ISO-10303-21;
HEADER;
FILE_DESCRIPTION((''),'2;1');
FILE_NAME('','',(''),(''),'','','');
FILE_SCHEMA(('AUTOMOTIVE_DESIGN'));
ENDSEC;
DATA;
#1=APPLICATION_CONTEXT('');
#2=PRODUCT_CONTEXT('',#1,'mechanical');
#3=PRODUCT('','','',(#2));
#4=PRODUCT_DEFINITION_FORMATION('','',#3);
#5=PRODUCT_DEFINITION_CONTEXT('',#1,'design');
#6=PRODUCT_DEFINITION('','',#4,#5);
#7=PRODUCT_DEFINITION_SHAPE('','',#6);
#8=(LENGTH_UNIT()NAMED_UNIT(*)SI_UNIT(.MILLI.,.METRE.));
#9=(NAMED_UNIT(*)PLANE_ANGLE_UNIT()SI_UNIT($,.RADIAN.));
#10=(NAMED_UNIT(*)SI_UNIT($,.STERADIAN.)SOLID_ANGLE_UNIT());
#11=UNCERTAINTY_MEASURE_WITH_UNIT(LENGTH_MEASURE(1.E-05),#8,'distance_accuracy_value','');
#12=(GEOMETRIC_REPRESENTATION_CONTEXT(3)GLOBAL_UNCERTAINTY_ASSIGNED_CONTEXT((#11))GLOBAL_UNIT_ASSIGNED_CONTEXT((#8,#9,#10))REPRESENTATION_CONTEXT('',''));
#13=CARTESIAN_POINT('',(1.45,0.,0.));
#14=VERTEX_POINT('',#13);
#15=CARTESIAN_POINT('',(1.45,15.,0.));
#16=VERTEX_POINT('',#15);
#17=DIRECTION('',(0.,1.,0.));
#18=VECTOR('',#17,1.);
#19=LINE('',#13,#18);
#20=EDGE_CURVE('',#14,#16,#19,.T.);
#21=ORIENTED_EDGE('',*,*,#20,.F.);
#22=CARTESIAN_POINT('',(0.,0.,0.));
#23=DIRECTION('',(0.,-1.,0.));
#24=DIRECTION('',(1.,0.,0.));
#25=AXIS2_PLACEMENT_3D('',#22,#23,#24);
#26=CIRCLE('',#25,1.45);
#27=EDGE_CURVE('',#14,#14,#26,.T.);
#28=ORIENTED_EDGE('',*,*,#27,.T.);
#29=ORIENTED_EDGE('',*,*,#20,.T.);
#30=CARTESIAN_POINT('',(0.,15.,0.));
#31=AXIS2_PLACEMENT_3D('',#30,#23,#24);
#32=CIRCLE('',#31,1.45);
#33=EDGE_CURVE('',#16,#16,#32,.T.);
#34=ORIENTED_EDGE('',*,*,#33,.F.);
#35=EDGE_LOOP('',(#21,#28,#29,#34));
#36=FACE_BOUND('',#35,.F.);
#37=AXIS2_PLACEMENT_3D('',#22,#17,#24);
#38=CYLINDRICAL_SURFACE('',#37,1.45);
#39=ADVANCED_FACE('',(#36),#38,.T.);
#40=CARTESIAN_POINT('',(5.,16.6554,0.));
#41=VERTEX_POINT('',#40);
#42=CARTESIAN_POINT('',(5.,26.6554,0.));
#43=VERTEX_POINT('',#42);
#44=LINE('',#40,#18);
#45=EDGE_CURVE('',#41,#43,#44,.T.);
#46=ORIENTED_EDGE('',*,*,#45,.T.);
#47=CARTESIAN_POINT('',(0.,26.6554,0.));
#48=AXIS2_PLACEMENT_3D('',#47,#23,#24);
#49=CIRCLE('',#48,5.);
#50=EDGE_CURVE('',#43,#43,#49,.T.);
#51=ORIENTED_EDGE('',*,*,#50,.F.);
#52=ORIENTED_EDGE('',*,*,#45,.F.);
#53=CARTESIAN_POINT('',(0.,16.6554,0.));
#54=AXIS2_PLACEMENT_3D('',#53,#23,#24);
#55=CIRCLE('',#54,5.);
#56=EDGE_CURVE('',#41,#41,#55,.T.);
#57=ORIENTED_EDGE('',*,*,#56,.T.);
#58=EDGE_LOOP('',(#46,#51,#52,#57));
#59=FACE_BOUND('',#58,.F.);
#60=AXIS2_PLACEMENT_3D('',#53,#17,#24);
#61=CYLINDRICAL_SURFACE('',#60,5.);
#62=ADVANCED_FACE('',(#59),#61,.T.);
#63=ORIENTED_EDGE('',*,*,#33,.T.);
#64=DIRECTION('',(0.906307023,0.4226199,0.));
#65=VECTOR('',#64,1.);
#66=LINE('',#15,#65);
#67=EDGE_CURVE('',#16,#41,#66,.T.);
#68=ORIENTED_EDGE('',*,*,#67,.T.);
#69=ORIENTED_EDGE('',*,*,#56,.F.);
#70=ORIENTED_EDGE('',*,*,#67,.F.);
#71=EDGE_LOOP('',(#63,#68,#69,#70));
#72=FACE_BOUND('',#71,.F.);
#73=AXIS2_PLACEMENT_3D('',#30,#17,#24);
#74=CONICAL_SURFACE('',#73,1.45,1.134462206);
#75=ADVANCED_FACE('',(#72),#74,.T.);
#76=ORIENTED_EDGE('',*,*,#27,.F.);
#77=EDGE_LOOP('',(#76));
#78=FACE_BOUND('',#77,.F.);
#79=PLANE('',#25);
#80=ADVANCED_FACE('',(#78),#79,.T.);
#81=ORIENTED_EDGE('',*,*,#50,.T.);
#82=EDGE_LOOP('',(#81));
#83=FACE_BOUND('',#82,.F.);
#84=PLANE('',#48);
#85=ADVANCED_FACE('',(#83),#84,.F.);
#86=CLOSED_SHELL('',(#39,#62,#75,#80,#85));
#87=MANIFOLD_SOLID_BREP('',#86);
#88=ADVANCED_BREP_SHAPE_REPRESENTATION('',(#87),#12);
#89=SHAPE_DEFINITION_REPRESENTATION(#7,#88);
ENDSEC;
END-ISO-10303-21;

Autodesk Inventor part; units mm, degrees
ref_plane "YZ Plane" through (0, 0, 0) normal (1, 0, 0) x (0, 1, 0)
ref_plane "XZ Plane" through (0, 0, 0) normal (0, 1, 0) x (-1, 0, 0)
ref_plane "XY Plane" through (0, 0, 0) normal (0, 0, 1) x (1, 0, 0)
sketch "Sketch1" plane through (0, 0, 0) normal (0, 0, 1) x (1, 0, 0)
  line L0 (0, 0) -> (1.45, 0)
  line L1 (1.45, 0) -> (1.45, 15)
  line L2 (1.45, 15) -> (5, 16.6554)
  line L3 (0, 26.6554) -> (0, 0)
  line L4 (5, 16.6554) -> (5, 26.6554)
  line L5 (5, 26.6554) -> (0, 26.6554)
  dimension "d0" = 1.45
  dimension "d1" = 15
  dimension "d2" = 65
  dimension "d4" = 10
  dimension "d6" = 5
revolve "Revolution1" add sketch "Sketch1" angle 360 about axis through (0, 26.6554, 0) along (0, -1, 0)
properties part number "P00173-09-024"
